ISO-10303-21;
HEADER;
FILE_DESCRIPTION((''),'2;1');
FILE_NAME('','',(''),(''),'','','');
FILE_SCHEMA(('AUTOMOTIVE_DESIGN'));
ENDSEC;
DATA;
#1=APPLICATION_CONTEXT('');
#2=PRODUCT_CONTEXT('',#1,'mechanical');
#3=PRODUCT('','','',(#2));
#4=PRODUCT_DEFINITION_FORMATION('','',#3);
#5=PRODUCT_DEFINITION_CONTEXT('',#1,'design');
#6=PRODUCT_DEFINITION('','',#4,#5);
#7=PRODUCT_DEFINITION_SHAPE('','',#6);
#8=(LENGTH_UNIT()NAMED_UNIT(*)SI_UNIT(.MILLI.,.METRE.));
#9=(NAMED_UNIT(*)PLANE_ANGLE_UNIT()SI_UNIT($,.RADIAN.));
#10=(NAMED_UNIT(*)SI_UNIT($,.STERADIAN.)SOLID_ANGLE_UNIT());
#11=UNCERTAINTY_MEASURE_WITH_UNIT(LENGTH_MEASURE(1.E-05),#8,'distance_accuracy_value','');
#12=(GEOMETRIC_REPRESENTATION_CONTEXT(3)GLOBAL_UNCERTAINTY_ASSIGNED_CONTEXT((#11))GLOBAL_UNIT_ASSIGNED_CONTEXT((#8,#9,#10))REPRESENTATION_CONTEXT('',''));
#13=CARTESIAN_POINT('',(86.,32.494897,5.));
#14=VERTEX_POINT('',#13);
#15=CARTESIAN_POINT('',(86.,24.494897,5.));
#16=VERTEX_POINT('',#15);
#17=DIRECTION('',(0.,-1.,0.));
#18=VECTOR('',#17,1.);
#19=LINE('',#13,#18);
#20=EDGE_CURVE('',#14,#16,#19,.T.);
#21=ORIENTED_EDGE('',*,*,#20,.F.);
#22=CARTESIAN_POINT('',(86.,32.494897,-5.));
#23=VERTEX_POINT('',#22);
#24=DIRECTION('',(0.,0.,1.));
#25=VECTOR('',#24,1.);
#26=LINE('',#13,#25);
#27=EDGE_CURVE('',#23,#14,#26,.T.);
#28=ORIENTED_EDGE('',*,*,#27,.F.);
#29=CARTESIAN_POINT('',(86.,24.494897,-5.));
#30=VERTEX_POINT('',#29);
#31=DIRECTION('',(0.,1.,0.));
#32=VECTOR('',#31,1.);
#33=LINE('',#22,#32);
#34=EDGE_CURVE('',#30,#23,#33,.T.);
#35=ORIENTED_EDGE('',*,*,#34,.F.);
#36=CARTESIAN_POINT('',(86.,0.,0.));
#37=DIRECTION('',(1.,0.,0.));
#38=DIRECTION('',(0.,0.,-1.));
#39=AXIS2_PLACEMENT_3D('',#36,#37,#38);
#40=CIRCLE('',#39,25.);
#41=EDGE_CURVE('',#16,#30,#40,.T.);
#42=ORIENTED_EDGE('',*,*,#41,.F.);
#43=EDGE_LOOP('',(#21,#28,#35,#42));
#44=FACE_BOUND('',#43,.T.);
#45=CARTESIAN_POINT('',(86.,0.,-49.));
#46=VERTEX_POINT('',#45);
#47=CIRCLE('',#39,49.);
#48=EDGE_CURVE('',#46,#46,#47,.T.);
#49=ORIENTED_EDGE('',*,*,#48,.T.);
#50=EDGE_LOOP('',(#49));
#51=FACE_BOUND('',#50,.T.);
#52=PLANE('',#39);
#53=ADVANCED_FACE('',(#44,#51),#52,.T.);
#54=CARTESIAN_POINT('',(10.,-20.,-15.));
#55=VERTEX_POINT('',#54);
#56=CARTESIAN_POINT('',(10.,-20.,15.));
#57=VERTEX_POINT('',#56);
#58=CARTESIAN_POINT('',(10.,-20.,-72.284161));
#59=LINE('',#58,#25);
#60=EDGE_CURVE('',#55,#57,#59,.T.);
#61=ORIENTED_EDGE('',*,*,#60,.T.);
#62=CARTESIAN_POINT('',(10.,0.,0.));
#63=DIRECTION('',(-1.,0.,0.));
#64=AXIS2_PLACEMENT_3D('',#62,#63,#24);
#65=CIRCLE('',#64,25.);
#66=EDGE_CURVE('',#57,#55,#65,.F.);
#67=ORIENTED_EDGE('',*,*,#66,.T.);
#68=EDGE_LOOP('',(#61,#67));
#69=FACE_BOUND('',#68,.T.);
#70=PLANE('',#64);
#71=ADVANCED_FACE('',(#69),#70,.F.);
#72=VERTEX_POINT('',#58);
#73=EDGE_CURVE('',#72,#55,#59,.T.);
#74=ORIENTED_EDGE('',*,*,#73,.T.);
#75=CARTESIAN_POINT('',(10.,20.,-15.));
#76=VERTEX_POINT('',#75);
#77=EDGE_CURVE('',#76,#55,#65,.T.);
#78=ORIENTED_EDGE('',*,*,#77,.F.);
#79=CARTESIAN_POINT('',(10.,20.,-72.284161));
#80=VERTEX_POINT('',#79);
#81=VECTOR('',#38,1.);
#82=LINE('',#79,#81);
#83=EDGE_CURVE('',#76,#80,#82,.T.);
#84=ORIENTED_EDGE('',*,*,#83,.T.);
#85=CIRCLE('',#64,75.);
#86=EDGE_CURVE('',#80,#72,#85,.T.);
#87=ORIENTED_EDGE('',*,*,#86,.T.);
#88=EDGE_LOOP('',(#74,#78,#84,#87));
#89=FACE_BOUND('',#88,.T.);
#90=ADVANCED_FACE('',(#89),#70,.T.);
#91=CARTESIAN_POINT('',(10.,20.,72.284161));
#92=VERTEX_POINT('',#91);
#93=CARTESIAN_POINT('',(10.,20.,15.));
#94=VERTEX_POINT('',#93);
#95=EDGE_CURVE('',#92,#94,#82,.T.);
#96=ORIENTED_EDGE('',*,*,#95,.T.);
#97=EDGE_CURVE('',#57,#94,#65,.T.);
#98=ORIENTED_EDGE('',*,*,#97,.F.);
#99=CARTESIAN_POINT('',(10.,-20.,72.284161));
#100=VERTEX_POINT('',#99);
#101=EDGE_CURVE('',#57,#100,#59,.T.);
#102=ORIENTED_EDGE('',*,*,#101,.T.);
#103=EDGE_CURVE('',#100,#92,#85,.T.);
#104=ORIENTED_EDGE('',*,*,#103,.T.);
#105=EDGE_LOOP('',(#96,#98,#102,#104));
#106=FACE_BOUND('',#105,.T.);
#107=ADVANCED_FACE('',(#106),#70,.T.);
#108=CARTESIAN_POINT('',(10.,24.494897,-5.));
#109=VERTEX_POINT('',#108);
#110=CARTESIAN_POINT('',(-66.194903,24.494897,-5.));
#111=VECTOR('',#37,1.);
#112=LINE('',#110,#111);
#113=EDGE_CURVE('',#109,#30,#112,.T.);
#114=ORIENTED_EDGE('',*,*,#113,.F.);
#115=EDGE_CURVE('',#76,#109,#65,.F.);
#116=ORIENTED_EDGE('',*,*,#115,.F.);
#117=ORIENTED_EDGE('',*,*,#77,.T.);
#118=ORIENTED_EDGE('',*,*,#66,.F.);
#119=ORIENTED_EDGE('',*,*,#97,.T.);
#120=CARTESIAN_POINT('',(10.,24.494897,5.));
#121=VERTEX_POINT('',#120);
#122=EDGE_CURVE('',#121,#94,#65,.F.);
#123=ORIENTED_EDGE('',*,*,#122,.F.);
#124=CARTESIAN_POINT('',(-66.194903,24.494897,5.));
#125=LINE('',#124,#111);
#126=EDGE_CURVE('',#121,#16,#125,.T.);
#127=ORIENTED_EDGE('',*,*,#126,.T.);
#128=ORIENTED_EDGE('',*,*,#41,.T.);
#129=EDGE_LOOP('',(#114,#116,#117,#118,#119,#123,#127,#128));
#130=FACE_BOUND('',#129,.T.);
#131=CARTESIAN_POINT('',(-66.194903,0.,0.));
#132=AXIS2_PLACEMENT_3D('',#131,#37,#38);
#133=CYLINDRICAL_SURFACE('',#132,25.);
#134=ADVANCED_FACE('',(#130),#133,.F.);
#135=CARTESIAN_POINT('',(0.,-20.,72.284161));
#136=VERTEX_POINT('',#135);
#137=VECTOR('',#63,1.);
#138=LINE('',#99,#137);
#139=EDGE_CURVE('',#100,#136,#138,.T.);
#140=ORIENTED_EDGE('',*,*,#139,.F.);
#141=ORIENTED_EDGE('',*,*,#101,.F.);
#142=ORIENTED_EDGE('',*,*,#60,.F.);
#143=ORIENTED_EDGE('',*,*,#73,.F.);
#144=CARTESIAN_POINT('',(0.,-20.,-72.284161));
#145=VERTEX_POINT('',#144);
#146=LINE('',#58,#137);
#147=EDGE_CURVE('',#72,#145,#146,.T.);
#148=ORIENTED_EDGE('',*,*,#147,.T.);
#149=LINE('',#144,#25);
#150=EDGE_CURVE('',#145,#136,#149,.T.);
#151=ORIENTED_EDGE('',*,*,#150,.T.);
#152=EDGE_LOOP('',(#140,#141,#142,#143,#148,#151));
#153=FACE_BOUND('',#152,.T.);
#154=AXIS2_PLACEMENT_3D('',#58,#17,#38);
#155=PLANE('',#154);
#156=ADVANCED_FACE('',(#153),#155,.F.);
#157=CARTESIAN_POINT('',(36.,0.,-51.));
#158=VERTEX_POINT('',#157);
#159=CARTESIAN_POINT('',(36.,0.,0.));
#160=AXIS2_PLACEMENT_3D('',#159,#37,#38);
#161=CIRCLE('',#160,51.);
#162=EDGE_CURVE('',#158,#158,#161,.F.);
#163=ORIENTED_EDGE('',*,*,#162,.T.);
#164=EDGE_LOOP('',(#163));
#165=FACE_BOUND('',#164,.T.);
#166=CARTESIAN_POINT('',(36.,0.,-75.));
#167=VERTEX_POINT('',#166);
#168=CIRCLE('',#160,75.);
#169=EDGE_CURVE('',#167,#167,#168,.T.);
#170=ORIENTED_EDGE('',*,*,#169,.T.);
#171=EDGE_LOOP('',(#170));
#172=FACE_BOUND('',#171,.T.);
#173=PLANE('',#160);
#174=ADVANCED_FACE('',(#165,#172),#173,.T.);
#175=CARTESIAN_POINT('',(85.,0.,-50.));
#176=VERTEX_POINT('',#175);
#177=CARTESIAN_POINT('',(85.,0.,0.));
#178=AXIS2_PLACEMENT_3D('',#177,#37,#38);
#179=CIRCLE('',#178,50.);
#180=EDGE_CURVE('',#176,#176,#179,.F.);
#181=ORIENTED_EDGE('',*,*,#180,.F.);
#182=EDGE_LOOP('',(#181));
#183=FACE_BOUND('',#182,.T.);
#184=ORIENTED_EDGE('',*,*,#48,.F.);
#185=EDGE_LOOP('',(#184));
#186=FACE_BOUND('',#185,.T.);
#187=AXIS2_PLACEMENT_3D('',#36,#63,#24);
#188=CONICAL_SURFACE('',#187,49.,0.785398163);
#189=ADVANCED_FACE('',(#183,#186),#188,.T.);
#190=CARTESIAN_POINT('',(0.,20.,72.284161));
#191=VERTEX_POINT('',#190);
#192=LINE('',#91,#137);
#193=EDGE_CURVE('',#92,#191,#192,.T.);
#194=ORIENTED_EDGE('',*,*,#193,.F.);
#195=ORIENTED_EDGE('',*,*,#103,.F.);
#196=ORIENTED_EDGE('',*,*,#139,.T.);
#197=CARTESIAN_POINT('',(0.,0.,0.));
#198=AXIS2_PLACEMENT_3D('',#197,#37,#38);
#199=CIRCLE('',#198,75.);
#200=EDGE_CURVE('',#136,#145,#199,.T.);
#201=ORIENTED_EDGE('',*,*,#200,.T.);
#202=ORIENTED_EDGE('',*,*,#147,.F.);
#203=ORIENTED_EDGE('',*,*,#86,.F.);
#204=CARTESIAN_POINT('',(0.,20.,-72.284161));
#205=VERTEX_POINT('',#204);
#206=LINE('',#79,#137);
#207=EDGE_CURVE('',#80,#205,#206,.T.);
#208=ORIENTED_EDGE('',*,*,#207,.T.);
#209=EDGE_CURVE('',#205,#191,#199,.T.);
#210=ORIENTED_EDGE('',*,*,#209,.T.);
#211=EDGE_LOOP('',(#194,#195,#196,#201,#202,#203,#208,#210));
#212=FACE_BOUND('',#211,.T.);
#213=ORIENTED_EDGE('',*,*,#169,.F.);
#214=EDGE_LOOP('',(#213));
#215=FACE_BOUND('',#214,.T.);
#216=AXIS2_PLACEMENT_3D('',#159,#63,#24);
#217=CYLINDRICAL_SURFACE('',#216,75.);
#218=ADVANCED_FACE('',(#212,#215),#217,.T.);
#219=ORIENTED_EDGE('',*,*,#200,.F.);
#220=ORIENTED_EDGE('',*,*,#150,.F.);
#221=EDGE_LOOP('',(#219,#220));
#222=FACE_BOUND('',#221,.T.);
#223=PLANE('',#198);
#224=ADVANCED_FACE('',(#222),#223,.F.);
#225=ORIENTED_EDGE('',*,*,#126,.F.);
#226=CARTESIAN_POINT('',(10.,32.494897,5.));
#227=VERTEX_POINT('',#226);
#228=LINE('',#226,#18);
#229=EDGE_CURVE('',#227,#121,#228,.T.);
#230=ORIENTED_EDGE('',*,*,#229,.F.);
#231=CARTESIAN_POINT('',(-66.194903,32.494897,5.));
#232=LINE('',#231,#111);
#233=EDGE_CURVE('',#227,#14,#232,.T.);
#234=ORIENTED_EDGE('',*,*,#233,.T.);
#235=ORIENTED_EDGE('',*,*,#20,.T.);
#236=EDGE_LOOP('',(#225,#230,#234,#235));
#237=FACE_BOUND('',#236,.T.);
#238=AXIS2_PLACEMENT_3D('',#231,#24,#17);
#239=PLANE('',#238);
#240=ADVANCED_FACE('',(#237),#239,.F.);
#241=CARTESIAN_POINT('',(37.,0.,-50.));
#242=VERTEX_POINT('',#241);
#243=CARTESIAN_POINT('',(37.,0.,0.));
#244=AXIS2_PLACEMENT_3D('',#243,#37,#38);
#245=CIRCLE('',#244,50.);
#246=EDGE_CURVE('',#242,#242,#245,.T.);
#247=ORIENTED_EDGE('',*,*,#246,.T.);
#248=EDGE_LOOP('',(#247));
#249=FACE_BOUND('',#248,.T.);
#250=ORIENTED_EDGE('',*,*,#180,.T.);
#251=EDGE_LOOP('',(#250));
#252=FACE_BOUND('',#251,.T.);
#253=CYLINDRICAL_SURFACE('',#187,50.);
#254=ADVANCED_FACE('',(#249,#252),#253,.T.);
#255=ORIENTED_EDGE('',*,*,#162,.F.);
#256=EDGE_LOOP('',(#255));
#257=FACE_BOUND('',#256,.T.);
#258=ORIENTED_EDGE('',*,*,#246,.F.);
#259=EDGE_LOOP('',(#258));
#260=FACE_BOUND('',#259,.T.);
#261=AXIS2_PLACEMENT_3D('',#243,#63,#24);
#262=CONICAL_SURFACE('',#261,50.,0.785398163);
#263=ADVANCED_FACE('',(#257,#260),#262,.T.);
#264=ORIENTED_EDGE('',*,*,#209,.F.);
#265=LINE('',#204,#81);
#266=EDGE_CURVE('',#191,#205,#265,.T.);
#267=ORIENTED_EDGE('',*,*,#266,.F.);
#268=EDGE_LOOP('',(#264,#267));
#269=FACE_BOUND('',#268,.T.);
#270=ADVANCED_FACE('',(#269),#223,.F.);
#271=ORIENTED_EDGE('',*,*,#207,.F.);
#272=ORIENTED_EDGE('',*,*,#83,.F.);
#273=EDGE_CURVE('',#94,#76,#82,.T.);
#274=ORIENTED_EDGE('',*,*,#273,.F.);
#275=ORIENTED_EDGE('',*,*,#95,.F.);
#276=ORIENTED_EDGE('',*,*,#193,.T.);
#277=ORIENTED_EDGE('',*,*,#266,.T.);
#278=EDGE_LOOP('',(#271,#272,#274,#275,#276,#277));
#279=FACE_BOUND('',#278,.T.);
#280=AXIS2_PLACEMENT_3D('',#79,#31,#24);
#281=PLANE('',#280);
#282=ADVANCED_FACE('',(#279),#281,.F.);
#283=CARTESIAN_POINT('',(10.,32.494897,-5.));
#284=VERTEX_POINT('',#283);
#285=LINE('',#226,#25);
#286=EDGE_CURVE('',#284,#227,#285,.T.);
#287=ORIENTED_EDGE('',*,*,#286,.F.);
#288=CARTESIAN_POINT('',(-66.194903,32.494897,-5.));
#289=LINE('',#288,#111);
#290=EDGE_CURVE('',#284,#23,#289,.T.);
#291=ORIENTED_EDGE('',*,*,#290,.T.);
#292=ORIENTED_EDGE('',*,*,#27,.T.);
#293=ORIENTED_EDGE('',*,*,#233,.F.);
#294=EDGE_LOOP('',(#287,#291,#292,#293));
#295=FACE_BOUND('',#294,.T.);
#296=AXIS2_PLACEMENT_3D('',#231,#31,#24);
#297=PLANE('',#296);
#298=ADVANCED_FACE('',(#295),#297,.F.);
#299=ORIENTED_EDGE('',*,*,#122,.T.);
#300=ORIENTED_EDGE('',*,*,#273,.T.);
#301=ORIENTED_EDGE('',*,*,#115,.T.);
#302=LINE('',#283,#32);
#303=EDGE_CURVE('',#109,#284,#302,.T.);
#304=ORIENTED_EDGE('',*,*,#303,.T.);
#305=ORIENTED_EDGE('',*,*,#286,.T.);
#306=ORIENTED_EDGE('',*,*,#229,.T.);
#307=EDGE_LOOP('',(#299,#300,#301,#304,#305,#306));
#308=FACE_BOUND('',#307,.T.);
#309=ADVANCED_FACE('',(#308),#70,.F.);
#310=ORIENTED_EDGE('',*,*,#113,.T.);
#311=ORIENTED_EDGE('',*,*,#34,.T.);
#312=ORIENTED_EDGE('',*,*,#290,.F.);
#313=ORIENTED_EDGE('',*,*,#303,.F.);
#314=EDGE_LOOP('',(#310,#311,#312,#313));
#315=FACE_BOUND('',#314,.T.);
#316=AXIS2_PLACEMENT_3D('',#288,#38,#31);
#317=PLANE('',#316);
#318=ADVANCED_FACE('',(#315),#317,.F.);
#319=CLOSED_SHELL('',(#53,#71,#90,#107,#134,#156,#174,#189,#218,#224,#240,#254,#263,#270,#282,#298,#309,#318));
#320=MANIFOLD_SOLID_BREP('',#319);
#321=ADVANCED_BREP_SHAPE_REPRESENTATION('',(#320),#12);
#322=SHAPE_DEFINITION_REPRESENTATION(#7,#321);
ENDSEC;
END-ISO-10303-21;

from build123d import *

# Parameters (mm, degrees)
SKETCH1_R           = 75
BOSS_EXTRUDE1_DEPTH = 36
SKETCH2_R           = 50
BOSS_EXTRUDE2_DEPTH = 50
CUT_EXTRUDE2_DEPTH  = 10
CUT_EXTRUDE3_DEPTH  = 76
CHAMFER1_SIZE       = 1
CHAMFER2_SIZE       = 1


with BuildPart() as part:
    # Sketch1 → Boss-Extrude1 (new body)
    with BuildSketch(Plane(origin=(0, 0, 0), x_dir=(0, 0, -1), z_dir=(1, 0, 0))):
        Circle(SKETCH1_R)
    extrude(amount=BOSS_EXTRUDE1_DEPTH)

    # Sketch2 → Boss-Extrude2 (add)
    with BuildSketch(Plane(origin=(36, 0, 0), x_dir=(0, 0, -1), z_dir=(1, 0, 0))):
        Circle(SKETCH2_R)
    extrude(amount=BOSS_EXTRUDE2_DEPTH)

    # Sketch4 → Cut-Extrude2 (cut)
    with BuildSketch(Plane.ZY):
        with BuildLine():
            Line((-72.284161474, 20), (72.284161474, 20))
            ThreePointArc((72.284161474, 20), (75, 0), (72.284161474, -20))
            Line((72.284161474, -20), (-72.284161474, -20))
            ThreePointArc((-72.284161474, -20), (-75, 0), (-72.284161474, 20))
        make_face()
    extrude(amount=-CUT_EXTRUDE2_DEPTH, mode=Mode.SUBTRACT)

    # Sketch5 → Cut-Extrude3 (cut)
    with BuildSketch(Plane(origin=(86, 0, 0), x_dir=(0, 0, -1), z_dir=(1, 0, 0))):
        with BuildLine():
            Line((-5, 32.494897428), (5, 32.494897428))
            Line((5, 32.494897428), (5, 24.494897428))
            ThreePointArc((5, 24.494897428), (0, -25), (-5, 24.494897428))
            Line((-5, 24.494897428), (-5, 32.494897428))
        make_face()
    extrude(amount=-CUT_EXTRUDE3_DEPTH, mode=Mode.SUBTRACT)

    # Chamfer1
    chamfer1_edges = [part.edges().sort_by_distance(p)[0] for p in [
        (86, 0, 50),
    ]]
    chamfer(chamfer1_edges, length=CHAMFER1_SIZE)

    # Chamfer2
    chamfer2_edges = [part.edges().sort_by_distance(p)[0] for p in [
        (36, 0, 50),
    ]]
    chamfer(chamfer2_edges, length=CHAMFER2_SIZE)


solid = part.part
